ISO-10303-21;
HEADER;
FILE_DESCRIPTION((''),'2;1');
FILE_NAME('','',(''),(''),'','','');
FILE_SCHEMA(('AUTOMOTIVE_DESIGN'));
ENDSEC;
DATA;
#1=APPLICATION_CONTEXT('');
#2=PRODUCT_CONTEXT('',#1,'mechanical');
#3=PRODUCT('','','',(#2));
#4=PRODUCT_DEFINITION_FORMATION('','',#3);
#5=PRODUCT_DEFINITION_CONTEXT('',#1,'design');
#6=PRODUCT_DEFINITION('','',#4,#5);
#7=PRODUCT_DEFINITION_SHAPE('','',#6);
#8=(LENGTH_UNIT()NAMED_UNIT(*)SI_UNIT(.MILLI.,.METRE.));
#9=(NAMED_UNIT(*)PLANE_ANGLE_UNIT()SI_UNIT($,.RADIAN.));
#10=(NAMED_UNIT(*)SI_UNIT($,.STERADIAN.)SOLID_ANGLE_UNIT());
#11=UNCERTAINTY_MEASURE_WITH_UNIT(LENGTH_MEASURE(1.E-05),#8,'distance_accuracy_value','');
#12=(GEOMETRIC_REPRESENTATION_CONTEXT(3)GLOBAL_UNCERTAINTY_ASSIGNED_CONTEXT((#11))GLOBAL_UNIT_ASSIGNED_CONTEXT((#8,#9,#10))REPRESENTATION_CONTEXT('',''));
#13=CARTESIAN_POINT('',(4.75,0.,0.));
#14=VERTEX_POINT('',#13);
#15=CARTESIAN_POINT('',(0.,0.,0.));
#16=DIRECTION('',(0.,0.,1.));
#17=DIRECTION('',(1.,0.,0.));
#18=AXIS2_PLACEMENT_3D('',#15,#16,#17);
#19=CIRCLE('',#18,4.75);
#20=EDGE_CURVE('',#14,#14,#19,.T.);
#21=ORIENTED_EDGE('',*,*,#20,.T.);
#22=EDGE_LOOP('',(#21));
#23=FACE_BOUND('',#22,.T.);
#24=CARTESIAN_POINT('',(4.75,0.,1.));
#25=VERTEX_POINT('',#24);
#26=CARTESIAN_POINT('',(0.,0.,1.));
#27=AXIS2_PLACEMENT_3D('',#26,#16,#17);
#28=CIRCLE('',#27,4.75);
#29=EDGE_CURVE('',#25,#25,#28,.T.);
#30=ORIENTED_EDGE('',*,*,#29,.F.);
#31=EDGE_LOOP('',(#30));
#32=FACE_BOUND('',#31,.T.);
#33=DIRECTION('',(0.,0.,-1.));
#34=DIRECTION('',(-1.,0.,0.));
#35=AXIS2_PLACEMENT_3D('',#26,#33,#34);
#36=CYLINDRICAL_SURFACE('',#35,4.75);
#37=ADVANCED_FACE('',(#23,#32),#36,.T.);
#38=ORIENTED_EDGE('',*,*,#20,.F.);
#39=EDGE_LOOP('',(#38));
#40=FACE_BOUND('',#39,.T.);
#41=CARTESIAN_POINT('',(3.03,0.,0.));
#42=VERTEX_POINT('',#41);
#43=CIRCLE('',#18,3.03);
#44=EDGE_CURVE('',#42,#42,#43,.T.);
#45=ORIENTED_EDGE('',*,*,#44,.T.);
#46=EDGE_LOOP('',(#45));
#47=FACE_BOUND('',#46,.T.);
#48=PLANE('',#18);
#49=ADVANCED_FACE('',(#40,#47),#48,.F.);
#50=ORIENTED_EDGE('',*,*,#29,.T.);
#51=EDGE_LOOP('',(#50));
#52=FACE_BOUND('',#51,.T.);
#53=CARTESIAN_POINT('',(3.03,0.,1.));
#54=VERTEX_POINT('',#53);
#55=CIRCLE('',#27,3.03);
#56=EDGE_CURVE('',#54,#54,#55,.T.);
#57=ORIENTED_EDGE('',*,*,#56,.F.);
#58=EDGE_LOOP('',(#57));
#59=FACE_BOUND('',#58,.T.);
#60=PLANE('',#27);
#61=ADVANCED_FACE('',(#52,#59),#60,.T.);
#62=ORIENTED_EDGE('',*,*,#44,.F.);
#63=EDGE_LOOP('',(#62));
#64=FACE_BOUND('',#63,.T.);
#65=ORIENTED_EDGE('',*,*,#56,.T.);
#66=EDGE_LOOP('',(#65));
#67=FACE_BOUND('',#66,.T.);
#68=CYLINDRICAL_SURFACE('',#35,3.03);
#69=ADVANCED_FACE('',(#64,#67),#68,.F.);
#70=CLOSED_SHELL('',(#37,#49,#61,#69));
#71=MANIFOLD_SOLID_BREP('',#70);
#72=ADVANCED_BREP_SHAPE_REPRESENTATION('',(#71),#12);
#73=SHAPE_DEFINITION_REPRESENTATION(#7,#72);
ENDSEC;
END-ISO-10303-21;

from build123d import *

# Parameters (mm, degrees)
SCHIZZO1_R                   = 4.75
SCHIZZO1_R_2                 = 3.03
ESTRUSIONE_ESTRUSIONE1_DEPTH = 1


with BuildPart() as part:
    # Schizzo1 → Estrusione-Estrusione1 (new body)
    with BuildSketch(Plane.XY):
        Circle(SCHIZZO1_R)
        Circle(SCHIZZO1_R_2, mode=Mode.SUBTRACT)
    extrude(amount=ESTRUSIONE_ESTRUSIONE1_DEPTH)


solid = part.part
